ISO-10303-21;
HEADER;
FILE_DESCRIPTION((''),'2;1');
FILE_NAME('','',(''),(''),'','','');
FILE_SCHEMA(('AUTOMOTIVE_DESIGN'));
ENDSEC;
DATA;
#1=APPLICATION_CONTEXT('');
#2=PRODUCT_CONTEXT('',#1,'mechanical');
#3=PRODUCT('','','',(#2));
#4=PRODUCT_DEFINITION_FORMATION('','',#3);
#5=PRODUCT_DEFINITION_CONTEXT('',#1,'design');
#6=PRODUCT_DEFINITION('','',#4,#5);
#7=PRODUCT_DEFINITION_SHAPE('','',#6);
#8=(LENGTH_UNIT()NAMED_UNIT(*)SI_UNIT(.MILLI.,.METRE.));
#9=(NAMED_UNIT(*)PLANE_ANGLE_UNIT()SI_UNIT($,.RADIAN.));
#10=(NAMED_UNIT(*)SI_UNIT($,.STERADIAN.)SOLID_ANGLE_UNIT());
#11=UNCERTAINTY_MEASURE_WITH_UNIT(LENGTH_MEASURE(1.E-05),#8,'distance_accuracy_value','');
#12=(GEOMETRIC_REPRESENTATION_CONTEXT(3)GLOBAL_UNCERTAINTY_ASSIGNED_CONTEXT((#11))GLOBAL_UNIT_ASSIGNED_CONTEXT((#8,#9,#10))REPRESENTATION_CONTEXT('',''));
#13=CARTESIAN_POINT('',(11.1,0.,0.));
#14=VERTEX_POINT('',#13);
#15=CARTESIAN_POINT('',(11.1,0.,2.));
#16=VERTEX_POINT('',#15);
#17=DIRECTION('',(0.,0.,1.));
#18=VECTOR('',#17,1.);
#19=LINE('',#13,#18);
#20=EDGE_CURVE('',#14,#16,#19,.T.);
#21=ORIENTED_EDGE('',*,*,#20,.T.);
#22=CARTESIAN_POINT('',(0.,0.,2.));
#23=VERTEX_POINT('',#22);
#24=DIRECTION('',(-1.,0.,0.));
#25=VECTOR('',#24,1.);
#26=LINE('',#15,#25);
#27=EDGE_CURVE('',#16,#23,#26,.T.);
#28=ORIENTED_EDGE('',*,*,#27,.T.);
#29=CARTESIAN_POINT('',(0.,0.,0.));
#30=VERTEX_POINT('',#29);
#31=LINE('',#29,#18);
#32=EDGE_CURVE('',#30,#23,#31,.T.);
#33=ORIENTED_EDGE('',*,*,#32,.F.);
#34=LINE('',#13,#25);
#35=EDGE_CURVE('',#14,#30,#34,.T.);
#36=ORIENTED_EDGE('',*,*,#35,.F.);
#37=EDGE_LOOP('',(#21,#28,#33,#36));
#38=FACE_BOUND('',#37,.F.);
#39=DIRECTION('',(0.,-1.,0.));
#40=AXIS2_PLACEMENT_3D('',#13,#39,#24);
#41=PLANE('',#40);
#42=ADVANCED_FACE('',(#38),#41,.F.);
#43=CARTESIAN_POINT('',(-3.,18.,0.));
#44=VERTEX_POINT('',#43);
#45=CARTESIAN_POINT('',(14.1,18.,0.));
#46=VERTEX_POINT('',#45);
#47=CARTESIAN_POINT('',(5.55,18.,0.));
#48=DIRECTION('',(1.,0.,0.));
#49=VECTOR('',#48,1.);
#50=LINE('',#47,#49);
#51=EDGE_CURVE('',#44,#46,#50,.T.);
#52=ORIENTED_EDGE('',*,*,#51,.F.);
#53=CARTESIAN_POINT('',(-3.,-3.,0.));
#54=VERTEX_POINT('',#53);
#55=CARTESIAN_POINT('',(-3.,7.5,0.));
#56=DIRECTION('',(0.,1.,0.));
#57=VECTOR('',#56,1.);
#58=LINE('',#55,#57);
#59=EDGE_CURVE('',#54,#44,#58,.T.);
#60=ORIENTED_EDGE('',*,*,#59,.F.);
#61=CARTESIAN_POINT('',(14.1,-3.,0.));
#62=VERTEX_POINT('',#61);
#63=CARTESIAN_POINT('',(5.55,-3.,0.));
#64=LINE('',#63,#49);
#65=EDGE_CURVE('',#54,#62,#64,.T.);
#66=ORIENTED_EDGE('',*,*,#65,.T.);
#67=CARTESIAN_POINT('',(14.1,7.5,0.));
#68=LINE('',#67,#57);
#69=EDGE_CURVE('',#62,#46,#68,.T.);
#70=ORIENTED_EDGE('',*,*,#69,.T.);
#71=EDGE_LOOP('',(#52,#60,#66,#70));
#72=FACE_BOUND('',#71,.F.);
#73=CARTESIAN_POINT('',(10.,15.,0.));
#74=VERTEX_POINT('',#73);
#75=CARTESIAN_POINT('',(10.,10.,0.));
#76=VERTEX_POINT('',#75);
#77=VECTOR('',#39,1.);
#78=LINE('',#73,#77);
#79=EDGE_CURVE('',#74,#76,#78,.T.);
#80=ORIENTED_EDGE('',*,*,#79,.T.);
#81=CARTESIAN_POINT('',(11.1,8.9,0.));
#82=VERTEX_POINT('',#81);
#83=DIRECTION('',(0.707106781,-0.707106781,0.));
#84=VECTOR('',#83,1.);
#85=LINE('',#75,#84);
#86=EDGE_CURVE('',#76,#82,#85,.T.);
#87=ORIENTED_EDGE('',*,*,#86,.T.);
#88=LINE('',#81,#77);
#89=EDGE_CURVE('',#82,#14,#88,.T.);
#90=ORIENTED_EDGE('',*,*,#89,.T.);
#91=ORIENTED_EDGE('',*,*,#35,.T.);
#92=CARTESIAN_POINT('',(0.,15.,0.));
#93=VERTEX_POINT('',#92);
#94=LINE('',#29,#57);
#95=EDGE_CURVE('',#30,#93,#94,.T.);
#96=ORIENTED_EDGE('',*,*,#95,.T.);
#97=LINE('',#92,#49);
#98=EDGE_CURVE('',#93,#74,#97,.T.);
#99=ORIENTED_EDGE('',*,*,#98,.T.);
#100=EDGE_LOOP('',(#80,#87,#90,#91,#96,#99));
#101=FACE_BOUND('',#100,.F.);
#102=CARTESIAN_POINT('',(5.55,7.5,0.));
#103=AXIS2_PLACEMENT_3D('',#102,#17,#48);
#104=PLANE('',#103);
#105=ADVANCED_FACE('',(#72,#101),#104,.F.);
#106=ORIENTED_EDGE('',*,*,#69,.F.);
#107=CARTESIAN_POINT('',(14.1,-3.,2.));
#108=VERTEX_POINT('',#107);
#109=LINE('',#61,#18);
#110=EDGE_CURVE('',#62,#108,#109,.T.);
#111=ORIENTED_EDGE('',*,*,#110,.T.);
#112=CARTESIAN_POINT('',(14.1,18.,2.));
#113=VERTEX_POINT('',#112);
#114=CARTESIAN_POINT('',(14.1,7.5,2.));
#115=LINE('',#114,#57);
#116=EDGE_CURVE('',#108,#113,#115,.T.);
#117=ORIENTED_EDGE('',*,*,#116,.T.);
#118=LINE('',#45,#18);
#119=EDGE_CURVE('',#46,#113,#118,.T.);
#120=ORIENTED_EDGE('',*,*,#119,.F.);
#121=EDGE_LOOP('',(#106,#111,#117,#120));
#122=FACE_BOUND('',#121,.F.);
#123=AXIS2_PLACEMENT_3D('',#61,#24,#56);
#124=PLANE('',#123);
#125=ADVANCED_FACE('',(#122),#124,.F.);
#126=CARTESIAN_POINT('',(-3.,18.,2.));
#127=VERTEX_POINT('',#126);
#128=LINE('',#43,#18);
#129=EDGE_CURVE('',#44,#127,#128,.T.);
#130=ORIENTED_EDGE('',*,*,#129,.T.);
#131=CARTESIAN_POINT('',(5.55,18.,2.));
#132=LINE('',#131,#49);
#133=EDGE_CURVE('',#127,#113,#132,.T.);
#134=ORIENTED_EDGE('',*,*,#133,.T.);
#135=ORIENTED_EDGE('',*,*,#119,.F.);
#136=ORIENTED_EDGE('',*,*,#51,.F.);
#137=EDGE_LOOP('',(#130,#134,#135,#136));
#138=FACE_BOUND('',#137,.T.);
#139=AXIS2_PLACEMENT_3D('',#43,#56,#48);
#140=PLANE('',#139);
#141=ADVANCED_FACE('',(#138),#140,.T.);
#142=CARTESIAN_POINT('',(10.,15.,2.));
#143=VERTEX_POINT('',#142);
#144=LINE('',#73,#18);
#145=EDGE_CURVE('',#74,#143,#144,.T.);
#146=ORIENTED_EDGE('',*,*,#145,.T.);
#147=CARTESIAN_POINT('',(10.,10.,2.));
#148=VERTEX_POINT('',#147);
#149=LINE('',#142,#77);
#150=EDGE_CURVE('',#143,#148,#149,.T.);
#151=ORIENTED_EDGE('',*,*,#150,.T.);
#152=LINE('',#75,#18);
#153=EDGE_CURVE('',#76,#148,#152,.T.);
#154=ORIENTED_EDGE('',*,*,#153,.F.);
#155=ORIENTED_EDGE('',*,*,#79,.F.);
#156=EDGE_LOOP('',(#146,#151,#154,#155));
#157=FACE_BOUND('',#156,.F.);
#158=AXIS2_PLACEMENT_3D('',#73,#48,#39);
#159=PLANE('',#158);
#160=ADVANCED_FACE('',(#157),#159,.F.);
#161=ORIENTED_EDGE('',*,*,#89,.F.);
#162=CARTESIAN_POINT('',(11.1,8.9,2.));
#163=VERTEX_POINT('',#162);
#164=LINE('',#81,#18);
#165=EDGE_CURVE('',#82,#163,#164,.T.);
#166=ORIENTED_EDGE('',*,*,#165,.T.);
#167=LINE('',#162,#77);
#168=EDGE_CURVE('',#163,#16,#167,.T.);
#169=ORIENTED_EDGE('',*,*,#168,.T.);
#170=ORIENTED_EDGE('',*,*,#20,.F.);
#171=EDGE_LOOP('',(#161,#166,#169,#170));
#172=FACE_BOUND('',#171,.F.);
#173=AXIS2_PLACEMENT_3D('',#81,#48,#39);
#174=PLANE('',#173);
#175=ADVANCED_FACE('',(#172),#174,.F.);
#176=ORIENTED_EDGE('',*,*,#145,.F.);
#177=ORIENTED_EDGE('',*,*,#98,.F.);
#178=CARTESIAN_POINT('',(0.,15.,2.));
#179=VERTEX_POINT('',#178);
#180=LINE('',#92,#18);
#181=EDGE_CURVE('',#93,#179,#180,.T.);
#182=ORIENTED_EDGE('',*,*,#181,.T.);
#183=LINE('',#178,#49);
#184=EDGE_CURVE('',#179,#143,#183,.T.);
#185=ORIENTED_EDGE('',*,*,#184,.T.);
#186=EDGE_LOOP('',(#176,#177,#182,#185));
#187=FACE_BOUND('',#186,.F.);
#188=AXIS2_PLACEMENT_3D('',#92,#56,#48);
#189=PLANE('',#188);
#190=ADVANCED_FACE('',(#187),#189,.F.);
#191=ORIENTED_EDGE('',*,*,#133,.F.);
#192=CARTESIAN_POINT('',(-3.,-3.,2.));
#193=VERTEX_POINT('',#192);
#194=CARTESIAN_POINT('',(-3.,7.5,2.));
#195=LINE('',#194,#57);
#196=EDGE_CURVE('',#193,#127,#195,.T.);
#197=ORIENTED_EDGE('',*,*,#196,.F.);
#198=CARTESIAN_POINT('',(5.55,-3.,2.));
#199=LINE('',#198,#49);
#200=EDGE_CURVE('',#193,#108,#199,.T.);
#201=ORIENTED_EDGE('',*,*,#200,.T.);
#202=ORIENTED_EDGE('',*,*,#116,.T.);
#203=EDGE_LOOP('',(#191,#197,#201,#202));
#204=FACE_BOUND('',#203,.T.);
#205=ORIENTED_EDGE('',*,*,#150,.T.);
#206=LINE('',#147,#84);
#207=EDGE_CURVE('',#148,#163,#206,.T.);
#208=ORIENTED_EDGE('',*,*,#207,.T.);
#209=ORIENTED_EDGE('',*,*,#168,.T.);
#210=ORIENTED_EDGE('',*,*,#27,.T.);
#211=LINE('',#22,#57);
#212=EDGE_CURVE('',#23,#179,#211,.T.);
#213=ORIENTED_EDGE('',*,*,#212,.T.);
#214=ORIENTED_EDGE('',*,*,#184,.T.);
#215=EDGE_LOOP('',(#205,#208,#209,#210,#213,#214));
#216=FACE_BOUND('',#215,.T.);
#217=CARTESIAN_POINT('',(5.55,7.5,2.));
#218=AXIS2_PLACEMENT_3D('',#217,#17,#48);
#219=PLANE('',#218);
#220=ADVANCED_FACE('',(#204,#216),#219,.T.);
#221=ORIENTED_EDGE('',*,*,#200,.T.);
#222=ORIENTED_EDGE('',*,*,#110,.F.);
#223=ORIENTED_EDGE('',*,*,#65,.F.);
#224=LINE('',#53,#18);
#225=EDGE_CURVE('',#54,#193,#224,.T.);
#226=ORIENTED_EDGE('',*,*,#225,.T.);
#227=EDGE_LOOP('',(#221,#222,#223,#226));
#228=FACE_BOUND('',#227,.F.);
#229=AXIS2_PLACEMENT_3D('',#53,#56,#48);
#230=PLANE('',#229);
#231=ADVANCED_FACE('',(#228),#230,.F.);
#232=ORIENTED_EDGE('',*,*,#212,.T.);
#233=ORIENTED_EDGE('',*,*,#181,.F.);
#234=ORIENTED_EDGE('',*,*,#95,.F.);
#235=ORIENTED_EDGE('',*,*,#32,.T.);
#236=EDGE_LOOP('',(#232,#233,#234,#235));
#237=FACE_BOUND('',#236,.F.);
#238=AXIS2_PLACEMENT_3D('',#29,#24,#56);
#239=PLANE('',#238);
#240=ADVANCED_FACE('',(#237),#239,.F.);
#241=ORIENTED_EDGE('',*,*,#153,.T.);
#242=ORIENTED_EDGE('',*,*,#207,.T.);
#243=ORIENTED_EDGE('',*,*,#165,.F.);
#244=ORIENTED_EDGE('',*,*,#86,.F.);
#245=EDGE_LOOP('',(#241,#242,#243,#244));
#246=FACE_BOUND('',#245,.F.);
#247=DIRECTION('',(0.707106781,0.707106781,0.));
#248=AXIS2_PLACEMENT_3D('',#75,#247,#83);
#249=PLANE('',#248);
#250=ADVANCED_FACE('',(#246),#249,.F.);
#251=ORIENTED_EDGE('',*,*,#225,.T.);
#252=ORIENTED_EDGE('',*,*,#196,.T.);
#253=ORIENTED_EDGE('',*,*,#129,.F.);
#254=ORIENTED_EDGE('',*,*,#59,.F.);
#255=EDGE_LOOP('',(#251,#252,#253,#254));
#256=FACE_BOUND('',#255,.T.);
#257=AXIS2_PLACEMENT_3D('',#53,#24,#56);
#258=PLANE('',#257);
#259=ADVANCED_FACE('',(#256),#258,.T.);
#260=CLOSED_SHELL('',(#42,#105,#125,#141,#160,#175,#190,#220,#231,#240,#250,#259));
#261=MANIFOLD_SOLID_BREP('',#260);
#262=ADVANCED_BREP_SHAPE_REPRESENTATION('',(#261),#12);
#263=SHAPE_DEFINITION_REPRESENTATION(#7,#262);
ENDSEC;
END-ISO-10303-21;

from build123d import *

# Parameters (mm, degrees)
SKETCH_W  = 17.1
SKETCH_H  = 21
PAD_DEPTH = 2


with BuildPart() as part:
    # Sketch → Pad (new body)
    with BuildSketch(Plane.XY):
        with Locations((5.55, 7.5)):
            Rectangle(SKETCH_W, SKETCH_H)
        Polygon((0, 15), (10, 15), (10, 10), (11.1, 8.9), (11.1, 0), (0, 0), align=None, mode=Mode.SUBTRACT)
    extrude(amount=PAD_DEPTH)


solid = part.part
